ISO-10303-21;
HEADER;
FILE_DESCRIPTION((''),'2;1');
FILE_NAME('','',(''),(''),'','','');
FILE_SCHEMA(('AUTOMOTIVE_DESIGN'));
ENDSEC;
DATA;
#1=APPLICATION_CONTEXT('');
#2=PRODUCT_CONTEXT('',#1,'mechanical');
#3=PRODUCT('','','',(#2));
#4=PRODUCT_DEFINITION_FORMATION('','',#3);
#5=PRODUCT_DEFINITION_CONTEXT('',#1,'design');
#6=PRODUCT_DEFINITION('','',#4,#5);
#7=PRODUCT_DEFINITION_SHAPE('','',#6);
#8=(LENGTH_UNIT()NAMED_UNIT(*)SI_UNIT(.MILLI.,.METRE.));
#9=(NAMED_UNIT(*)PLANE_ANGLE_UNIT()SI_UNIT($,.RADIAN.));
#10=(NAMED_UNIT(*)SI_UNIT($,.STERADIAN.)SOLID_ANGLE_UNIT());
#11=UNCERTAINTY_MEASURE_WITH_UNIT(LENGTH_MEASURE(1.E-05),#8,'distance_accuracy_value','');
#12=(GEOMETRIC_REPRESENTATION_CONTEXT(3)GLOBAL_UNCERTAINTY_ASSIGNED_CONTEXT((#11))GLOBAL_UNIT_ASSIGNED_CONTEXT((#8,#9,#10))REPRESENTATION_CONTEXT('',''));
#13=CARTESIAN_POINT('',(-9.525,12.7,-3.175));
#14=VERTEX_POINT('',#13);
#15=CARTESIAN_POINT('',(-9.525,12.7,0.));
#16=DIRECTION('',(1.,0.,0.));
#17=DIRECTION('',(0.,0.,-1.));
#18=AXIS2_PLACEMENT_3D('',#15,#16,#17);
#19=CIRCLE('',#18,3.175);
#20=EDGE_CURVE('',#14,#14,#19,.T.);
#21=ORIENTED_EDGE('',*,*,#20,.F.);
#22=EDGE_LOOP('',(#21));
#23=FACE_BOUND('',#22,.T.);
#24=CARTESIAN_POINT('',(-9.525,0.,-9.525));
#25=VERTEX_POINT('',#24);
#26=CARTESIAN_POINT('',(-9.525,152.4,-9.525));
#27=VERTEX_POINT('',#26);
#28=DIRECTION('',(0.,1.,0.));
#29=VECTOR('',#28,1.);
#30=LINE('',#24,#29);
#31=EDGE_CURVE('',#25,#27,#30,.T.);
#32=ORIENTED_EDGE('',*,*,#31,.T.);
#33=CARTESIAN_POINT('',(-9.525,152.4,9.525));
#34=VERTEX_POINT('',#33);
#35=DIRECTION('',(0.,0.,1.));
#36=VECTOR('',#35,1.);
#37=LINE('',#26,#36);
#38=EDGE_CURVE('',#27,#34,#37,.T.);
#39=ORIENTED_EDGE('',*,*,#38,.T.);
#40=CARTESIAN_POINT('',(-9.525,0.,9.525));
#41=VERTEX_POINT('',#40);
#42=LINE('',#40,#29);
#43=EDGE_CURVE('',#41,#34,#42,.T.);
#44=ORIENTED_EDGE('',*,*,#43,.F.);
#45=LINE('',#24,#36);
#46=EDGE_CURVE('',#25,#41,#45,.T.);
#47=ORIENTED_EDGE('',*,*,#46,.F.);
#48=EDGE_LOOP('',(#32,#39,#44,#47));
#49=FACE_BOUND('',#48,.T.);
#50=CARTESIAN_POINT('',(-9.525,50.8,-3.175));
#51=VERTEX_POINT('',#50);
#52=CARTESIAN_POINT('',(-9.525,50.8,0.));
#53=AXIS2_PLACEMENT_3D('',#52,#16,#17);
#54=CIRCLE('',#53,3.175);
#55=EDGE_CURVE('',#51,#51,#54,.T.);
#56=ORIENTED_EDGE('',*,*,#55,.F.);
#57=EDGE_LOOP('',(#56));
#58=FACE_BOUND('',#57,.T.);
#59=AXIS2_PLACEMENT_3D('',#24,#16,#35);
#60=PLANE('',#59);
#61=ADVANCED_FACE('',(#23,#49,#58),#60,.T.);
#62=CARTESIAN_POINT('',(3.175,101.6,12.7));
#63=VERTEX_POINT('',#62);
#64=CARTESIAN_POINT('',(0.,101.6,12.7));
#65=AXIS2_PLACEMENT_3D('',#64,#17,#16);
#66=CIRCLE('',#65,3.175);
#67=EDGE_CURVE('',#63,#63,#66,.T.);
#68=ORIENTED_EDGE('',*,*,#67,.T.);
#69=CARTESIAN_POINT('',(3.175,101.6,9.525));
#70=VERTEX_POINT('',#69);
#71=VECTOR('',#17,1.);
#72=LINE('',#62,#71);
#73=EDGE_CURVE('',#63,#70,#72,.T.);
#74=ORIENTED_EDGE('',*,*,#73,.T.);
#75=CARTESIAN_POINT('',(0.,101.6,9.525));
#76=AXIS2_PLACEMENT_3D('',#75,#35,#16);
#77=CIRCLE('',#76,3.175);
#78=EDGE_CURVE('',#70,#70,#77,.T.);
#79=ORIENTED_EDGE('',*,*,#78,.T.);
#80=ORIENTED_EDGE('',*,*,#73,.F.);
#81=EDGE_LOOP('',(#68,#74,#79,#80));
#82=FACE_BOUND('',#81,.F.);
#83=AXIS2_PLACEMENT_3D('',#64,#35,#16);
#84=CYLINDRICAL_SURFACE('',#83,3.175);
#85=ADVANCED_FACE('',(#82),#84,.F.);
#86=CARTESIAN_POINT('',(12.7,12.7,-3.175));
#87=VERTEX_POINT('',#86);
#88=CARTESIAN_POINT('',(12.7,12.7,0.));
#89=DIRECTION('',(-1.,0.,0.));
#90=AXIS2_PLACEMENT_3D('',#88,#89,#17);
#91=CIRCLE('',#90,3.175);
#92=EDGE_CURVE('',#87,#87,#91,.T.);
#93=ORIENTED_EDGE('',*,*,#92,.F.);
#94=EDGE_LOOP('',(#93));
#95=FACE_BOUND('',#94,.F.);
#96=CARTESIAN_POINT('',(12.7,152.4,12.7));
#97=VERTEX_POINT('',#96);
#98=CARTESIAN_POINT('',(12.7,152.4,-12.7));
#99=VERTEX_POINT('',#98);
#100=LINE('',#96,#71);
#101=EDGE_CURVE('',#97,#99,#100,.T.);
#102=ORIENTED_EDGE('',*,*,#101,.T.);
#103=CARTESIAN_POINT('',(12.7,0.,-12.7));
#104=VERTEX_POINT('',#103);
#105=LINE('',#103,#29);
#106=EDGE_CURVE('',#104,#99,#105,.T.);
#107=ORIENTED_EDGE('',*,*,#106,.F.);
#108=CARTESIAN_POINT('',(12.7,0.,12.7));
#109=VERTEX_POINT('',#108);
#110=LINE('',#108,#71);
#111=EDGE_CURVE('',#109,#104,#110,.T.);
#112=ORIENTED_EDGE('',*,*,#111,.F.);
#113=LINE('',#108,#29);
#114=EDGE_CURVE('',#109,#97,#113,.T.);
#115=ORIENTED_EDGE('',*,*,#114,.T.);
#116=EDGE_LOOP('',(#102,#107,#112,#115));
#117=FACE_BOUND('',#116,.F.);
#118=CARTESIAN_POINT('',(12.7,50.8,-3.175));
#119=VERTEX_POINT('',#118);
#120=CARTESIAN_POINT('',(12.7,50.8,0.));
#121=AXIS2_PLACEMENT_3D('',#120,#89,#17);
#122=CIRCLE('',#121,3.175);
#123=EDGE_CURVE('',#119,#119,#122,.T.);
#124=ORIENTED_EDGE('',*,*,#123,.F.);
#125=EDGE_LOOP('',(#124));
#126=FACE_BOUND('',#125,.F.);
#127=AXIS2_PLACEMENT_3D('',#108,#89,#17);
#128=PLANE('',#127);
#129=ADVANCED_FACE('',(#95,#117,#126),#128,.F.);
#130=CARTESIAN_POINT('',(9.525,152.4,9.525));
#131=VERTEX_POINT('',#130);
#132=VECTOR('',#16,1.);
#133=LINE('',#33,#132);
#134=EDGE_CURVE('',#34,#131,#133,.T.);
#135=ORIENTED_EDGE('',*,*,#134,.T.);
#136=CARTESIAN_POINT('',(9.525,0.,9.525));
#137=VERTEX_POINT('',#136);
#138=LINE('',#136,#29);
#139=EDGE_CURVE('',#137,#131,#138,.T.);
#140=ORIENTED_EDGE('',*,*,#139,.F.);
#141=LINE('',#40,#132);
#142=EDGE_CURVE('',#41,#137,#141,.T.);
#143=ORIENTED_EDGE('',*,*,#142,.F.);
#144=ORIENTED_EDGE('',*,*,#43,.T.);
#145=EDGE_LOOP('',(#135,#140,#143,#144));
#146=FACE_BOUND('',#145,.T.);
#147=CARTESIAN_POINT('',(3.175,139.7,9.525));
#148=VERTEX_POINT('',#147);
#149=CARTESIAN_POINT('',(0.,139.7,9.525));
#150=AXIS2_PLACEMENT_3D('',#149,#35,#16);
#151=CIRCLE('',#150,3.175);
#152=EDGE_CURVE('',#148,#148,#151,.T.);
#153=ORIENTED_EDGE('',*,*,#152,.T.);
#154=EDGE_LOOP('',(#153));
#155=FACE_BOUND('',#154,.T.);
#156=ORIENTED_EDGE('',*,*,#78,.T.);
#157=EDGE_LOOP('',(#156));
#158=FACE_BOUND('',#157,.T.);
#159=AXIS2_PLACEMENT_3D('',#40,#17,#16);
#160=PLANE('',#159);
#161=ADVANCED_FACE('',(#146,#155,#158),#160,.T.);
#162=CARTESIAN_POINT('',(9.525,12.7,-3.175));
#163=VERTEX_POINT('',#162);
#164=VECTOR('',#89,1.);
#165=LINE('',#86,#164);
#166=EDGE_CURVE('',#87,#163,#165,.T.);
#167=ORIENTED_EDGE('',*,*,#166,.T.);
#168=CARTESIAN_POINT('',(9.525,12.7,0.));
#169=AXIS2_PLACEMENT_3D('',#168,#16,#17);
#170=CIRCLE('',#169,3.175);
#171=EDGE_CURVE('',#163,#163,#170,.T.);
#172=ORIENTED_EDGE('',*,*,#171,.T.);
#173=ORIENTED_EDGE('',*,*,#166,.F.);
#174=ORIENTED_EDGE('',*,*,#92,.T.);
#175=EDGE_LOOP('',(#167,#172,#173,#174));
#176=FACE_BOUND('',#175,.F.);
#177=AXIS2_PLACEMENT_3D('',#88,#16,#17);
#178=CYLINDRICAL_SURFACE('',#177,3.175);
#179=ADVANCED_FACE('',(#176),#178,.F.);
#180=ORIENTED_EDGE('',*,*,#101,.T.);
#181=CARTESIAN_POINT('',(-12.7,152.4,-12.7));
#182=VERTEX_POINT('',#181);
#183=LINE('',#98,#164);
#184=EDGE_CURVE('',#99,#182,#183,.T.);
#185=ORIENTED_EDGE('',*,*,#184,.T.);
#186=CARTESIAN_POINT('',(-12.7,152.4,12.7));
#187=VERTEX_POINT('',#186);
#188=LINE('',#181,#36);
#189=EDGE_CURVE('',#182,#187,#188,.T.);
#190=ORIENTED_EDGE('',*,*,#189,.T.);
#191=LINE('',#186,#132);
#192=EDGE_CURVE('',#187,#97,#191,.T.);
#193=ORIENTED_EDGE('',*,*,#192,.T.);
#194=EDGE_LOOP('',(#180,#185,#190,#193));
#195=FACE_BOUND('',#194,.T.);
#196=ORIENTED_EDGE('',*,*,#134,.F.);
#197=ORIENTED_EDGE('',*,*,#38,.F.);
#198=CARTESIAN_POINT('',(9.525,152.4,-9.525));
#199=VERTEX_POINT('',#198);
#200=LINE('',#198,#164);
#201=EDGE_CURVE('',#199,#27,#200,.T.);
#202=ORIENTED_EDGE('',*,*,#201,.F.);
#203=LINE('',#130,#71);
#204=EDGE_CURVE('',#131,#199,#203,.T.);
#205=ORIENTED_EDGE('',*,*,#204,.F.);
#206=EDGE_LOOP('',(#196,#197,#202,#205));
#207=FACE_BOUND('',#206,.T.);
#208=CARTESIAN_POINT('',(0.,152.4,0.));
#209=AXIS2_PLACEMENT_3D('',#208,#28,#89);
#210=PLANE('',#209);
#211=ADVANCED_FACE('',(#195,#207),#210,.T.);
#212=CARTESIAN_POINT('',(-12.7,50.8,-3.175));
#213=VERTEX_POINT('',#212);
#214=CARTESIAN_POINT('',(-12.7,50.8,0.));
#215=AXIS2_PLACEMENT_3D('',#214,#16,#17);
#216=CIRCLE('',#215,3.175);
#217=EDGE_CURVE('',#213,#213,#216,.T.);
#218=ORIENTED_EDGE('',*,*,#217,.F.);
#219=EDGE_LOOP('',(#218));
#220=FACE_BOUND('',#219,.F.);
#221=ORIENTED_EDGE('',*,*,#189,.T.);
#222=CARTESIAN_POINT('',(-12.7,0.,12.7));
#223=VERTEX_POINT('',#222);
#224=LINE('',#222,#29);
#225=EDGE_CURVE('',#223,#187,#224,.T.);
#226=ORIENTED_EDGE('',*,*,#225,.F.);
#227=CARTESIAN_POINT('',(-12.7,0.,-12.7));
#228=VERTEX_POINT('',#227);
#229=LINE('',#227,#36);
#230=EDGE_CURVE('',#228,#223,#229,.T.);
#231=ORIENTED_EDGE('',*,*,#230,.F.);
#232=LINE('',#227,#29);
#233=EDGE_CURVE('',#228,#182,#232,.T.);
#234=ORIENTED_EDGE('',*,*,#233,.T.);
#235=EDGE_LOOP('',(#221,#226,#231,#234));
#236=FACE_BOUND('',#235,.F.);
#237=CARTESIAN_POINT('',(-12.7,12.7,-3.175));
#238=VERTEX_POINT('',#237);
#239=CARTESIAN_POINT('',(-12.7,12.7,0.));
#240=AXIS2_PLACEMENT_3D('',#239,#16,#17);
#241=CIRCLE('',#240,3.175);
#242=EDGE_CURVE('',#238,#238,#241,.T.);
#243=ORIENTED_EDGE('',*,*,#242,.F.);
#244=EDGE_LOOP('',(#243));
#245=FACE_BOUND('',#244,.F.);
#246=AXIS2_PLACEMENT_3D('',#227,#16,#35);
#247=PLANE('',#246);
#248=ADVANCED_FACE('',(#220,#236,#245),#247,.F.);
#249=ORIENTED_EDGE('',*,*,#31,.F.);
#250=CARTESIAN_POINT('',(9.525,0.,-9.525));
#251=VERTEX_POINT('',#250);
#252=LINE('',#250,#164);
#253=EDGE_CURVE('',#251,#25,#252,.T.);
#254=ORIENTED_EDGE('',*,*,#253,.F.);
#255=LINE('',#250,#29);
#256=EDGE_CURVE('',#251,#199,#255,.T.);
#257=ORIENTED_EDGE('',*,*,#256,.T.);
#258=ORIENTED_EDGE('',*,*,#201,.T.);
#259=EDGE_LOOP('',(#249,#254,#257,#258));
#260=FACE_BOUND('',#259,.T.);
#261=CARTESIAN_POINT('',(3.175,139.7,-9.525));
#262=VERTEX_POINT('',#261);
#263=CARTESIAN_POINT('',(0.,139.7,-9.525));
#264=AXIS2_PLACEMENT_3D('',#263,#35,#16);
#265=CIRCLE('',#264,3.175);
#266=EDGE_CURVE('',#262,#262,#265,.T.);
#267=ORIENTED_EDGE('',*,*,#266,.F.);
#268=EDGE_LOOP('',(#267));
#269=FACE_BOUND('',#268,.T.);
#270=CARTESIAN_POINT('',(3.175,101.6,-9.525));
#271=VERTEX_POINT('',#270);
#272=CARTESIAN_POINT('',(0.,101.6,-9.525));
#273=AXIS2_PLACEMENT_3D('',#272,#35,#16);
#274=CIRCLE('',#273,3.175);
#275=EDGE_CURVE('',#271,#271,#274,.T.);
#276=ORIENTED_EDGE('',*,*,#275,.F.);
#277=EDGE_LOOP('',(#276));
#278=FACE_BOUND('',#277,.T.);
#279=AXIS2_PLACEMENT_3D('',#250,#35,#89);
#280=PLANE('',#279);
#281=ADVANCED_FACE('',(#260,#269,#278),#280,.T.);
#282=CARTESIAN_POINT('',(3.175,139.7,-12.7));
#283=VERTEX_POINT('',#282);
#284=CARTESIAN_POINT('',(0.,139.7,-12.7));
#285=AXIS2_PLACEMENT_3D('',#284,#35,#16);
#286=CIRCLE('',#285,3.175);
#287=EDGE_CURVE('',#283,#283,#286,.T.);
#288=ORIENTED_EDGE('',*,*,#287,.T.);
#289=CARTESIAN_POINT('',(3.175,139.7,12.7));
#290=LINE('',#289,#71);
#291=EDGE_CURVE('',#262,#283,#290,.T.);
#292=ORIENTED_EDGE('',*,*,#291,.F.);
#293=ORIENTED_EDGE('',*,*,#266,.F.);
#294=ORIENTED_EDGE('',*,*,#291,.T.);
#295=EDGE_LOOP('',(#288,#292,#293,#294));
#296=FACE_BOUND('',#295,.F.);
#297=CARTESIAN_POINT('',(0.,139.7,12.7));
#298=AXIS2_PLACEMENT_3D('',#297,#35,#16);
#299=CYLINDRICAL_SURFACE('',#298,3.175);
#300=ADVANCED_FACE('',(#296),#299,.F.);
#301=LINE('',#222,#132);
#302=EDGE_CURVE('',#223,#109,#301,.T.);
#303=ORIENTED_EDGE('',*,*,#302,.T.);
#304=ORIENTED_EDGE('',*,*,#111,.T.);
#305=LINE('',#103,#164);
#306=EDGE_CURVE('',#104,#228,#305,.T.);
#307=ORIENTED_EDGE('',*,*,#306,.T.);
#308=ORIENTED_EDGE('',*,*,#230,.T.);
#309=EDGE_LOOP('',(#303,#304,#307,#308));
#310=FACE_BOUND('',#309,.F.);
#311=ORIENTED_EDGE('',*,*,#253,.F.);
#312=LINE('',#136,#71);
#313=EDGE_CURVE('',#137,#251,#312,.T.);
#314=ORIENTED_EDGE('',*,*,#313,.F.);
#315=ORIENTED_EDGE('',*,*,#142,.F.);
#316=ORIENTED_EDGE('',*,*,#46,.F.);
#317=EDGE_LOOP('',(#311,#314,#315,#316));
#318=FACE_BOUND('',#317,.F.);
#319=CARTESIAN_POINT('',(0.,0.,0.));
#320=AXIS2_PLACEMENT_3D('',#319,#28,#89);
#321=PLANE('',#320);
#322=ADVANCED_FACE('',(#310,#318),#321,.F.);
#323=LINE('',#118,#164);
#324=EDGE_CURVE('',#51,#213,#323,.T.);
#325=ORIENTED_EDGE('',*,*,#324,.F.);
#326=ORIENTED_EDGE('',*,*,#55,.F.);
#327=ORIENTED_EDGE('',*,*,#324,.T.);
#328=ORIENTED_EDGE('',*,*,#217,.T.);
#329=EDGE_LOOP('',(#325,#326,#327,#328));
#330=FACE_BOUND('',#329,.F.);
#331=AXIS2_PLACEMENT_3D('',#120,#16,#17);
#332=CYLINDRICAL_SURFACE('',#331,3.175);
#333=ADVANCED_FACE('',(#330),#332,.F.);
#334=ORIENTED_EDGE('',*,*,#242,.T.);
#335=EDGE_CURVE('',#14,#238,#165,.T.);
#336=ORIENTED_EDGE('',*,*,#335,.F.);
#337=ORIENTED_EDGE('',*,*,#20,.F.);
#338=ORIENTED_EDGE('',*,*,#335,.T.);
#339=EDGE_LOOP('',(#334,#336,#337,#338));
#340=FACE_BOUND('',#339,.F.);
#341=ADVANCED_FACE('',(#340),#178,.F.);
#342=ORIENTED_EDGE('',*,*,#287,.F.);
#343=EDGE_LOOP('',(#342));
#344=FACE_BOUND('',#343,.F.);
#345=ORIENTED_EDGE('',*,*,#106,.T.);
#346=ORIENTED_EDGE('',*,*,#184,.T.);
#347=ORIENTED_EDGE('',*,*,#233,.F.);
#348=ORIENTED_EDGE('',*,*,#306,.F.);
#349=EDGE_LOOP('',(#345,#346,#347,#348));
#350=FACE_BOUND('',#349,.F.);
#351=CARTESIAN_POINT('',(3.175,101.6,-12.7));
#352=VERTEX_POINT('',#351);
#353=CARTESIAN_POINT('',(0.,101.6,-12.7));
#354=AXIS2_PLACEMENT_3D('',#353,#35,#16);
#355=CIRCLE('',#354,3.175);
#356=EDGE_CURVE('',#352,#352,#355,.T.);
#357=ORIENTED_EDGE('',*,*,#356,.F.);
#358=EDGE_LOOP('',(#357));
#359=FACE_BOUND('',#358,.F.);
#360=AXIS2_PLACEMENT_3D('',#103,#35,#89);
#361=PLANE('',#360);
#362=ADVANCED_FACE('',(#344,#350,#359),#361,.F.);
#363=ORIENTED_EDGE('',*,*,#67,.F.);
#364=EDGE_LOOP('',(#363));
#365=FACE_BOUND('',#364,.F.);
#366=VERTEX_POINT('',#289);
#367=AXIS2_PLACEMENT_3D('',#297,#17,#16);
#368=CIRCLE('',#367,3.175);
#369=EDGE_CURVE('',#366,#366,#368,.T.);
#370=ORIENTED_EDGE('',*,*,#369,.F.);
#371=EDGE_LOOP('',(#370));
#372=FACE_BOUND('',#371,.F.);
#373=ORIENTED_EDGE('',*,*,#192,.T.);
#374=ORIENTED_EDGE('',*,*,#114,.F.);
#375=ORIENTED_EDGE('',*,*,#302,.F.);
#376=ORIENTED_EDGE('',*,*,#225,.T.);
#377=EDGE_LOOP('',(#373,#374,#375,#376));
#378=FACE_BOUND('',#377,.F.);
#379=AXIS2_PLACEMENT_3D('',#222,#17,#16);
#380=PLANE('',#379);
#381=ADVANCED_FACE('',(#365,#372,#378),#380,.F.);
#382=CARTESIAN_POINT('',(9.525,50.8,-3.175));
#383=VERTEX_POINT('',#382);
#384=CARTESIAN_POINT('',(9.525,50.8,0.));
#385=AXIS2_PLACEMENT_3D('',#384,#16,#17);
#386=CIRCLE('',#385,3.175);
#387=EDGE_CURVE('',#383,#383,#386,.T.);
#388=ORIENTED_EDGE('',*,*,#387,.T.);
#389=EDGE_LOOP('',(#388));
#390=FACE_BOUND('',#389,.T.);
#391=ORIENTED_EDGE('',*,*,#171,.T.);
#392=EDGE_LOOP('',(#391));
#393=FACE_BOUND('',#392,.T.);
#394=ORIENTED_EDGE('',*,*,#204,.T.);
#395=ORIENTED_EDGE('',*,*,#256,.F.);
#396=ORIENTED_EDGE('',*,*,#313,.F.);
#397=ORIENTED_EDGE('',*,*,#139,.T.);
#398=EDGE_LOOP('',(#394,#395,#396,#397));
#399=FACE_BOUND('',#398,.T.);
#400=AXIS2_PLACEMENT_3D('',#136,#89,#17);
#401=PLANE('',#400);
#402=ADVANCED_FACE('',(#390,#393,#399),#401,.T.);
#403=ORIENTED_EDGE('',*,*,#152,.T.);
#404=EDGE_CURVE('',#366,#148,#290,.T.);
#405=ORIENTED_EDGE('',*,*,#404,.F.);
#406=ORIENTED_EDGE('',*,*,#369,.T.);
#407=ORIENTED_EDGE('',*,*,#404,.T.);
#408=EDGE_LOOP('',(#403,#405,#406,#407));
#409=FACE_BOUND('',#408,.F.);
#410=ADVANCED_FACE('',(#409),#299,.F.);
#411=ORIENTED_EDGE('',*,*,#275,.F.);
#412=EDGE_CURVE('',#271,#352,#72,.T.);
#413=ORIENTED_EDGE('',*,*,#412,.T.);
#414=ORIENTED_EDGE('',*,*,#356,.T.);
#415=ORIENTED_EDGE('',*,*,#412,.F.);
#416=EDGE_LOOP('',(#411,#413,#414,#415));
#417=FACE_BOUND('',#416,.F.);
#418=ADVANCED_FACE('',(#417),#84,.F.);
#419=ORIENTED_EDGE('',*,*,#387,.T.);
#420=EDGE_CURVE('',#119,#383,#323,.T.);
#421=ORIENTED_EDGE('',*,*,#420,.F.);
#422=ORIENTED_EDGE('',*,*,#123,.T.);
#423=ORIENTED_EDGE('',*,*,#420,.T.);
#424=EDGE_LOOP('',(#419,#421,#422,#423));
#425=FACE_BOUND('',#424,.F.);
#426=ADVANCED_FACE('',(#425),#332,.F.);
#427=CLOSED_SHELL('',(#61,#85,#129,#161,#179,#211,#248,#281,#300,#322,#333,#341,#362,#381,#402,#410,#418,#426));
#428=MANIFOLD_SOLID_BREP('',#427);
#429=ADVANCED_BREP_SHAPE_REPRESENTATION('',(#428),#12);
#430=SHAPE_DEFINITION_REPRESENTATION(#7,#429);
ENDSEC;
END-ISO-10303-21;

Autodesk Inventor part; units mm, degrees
ref_plane "YZ Plane" through (0, 0, 0) normal (1, 0, 0) x (0, 1, 0)
ref_plane "XZ Plane" through (0, 0, 0) normal (0, 1, 0) x (-1, 0, 0)
ref_plane "XY Plane" through (0, 0, 0) normal (0, 0, 1) x (1, 0, 0)
sketch "Sketch1" plane through (0, 0, 0) normal (0, 1, 0) x (-1, 0, 0)
  line L0 (-12.7, -12.7) -> (12.7, -12.7)
  line L1 (12.7, -12.7) -> (12.7, 12.7)
  line L2 (12.7, 12.7) -> (-12.7, 12.7)
  line L3 (-12.7, 12.7) -> (-12.7, -12.7)
  line L4 (-12.7, -12.7) -> (12.7, 12.7) construction
  line L5 (12.7, -12.7) -> (-12.7, 12.7) construction
  line L6 (-9.525, -9.525) -> (9.525, -9.525)
  line L7 (9.525, -9.525) -> (9.525, 9.525)
  line L8 (9.525, 9.525) -> (-9.525, 9.525)
  line L9 (-9.525, 9.525) -> (-9.525, -9.525)
  line L10 (-9.525, -9.525) -> (9.525, 9.525) construction
  line L11 (9.525, -9.525) -> (-9.525, 9.525) construction
  point P0 (0, 0)
  dimension "d0" = 25.4
  dimension "d1" = 25.4
  dimension "d2" = 19.05
  dimension "d3" = 19.05
extrude "Extrusion1" add sketch "Sketch1" along normal blind 152.4
sketch "Sketch2" plane through (-12.7, 0, 12.7) normal (0, 0, 1) x (1, 0, 0)
  line L0 (0, 152.4) -> (25.4, 152.4) projected
  line L1 (0, 0) -> (0, 152.4) projected
  line L2 (12.7, 152.4) -> (12.7, 139.7)
  line L3 (12.7, 139.7) -> (12.7, 101.6)
  circle A0 centre (12.7, 139.7) radius 3.175
  circle A1 centre (12.7, 101.6) radius 3.175
  point P0 (12.7, 0)
  dimension "d6" = 12.7
  dimension "d7" = 38.1
  dimension "d8" = 180
  dimension "d9" = 6.35
  dimension "d10" = 6.35
extrude "Extrusion2" cut sketch "Sketch2" against normal blind 25.4
sketch "Sketch3" plane through (12.7, 0, 12.7) normal (1, 0, 0) x (0, 0, -1)
  line L0 (0, 0) -> (0, 152.4) projected
  line L1 (12.7, 0) -> (12.7, 12.7)
  line L2 (12.7, 0) -> (25.4, 0) construction
  line L3 (12.7, 12.7) -> (12.7, 50.8)
  line L4 (12.7, 12.7) -> (50.8, 12.7) construction
  circle A0 centre (12.7, 50.8) radius 3.175
  circle A1 centre (12.7, 12.7) radius 3.175
  dimension "d13" = 12.7
  dimension "d14" = 90
  dimension "d15" = 38.1
  dimension "d16" = 90
  dimension "d17" = 6.35
  dimension "d18" = 6.35
extrude "Extrusion3" cut sketch "Sketch3" against normal blind 25.4
properties part number "SuperStructureSupport"
